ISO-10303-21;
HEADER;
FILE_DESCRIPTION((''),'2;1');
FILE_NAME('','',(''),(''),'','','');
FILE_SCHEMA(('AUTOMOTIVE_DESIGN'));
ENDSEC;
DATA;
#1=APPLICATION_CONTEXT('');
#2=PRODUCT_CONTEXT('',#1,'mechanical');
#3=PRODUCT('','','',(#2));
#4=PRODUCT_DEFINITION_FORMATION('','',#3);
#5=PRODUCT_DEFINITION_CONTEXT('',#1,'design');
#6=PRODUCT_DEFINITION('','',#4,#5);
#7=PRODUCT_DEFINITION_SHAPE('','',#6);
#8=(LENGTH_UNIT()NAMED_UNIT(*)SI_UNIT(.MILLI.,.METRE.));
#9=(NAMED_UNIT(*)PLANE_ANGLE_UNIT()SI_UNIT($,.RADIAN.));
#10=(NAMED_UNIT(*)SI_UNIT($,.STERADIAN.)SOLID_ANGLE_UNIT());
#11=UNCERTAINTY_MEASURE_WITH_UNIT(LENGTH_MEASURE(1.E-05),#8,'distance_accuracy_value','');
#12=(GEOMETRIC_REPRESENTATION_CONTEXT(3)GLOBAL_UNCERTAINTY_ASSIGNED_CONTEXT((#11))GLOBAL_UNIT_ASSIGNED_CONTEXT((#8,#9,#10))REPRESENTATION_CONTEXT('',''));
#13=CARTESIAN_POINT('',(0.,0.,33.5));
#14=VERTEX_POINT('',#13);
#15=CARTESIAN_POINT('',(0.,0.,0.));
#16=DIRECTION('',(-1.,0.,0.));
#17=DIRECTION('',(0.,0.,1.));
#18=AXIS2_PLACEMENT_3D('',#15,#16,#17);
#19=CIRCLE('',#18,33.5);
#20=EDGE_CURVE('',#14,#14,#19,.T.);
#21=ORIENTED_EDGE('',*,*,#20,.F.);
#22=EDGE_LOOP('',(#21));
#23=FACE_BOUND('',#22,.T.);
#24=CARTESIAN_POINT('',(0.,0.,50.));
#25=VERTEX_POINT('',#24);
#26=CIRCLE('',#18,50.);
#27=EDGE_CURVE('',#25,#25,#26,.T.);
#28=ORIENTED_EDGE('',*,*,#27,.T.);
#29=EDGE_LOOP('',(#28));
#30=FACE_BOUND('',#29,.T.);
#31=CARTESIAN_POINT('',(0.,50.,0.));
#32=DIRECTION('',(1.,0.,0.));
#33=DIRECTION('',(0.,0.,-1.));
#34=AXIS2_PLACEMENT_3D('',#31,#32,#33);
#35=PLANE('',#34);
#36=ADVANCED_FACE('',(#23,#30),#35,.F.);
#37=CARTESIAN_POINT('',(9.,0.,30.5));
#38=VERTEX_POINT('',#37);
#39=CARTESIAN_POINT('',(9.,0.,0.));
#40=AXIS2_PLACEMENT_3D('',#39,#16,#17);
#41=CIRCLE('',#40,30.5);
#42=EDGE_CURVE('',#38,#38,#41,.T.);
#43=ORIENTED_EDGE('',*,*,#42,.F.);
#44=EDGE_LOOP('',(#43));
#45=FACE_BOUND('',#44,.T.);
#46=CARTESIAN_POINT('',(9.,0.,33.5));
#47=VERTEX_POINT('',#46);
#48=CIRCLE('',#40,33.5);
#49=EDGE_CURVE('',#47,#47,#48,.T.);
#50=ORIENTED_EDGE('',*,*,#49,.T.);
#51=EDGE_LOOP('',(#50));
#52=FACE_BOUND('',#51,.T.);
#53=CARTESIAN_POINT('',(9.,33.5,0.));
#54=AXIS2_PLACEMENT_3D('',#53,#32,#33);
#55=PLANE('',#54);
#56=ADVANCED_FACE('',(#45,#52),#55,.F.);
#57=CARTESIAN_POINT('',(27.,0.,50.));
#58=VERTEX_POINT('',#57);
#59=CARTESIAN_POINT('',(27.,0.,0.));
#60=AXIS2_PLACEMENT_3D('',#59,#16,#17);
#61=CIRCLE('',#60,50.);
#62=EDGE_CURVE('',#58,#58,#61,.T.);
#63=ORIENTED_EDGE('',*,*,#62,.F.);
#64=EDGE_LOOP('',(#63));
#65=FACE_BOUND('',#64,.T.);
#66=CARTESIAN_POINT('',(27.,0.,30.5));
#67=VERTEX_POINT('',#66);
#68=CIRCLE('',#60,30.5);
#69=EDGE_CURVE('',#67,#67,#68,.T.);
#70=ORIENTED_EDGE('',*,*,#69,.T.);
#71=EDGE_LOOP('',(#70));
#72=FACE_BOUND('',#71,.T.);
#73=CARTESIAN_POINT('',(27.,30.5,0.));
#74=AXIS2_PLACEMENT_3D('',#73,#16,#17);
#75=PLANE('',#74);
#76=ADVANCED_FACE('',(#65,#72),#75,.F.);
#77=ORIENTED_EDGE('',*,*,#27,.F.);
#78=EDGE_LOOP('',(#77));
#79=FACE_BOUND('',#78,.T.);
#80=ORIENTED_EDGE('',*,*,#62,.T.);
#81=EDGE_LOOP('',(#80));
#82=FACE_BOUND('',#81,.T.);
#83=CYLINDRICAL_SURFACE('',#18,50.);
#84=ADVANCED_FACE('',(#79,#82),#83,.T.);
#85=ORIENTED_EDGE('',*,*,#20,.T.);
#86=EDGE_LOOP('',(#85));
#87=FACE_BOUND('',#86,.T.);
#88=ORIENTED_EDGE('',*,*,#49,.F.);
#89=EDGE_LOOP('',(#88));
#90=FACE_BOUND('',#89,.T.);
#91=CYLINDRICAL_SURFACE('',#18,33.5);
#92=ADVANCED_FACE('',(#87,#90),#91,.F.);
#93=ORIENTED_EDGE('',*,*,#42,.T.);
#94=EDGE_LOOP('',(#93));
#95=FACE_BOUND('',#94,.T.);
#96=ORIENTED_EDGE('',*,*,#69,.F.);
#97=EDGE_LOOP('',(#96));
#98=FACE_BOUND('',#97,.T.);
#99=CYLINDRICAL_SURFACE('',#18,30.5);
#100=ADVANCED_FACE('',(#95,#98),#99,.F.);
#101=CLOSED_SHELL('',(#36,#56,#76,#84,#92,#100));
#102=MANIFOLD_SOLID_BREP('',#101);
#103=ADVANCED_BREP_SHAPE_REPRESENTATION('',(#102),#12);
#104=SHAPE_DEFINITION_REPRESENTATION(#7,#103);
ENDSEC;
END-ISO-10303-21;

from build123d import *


with BuildPart() as part:
    # Sketch1 → Revolve1 (revolve)
    with BuildSketch(Plane.XY, mode=Mode.PRIVATE) as revolve1_sk:
        Polygon((0, 33.5), (9, 33.5), (9, 30.5), (27, 30.5), (27, 50), (0, 50), align=None)
    revolve(revolve1_sk.sketch.rotate(Axis((0, 0, 0), (1, 0, 0)), 90), axis=Axis((0, 0, 0), (1, 0, 0)))


solid = part.part
